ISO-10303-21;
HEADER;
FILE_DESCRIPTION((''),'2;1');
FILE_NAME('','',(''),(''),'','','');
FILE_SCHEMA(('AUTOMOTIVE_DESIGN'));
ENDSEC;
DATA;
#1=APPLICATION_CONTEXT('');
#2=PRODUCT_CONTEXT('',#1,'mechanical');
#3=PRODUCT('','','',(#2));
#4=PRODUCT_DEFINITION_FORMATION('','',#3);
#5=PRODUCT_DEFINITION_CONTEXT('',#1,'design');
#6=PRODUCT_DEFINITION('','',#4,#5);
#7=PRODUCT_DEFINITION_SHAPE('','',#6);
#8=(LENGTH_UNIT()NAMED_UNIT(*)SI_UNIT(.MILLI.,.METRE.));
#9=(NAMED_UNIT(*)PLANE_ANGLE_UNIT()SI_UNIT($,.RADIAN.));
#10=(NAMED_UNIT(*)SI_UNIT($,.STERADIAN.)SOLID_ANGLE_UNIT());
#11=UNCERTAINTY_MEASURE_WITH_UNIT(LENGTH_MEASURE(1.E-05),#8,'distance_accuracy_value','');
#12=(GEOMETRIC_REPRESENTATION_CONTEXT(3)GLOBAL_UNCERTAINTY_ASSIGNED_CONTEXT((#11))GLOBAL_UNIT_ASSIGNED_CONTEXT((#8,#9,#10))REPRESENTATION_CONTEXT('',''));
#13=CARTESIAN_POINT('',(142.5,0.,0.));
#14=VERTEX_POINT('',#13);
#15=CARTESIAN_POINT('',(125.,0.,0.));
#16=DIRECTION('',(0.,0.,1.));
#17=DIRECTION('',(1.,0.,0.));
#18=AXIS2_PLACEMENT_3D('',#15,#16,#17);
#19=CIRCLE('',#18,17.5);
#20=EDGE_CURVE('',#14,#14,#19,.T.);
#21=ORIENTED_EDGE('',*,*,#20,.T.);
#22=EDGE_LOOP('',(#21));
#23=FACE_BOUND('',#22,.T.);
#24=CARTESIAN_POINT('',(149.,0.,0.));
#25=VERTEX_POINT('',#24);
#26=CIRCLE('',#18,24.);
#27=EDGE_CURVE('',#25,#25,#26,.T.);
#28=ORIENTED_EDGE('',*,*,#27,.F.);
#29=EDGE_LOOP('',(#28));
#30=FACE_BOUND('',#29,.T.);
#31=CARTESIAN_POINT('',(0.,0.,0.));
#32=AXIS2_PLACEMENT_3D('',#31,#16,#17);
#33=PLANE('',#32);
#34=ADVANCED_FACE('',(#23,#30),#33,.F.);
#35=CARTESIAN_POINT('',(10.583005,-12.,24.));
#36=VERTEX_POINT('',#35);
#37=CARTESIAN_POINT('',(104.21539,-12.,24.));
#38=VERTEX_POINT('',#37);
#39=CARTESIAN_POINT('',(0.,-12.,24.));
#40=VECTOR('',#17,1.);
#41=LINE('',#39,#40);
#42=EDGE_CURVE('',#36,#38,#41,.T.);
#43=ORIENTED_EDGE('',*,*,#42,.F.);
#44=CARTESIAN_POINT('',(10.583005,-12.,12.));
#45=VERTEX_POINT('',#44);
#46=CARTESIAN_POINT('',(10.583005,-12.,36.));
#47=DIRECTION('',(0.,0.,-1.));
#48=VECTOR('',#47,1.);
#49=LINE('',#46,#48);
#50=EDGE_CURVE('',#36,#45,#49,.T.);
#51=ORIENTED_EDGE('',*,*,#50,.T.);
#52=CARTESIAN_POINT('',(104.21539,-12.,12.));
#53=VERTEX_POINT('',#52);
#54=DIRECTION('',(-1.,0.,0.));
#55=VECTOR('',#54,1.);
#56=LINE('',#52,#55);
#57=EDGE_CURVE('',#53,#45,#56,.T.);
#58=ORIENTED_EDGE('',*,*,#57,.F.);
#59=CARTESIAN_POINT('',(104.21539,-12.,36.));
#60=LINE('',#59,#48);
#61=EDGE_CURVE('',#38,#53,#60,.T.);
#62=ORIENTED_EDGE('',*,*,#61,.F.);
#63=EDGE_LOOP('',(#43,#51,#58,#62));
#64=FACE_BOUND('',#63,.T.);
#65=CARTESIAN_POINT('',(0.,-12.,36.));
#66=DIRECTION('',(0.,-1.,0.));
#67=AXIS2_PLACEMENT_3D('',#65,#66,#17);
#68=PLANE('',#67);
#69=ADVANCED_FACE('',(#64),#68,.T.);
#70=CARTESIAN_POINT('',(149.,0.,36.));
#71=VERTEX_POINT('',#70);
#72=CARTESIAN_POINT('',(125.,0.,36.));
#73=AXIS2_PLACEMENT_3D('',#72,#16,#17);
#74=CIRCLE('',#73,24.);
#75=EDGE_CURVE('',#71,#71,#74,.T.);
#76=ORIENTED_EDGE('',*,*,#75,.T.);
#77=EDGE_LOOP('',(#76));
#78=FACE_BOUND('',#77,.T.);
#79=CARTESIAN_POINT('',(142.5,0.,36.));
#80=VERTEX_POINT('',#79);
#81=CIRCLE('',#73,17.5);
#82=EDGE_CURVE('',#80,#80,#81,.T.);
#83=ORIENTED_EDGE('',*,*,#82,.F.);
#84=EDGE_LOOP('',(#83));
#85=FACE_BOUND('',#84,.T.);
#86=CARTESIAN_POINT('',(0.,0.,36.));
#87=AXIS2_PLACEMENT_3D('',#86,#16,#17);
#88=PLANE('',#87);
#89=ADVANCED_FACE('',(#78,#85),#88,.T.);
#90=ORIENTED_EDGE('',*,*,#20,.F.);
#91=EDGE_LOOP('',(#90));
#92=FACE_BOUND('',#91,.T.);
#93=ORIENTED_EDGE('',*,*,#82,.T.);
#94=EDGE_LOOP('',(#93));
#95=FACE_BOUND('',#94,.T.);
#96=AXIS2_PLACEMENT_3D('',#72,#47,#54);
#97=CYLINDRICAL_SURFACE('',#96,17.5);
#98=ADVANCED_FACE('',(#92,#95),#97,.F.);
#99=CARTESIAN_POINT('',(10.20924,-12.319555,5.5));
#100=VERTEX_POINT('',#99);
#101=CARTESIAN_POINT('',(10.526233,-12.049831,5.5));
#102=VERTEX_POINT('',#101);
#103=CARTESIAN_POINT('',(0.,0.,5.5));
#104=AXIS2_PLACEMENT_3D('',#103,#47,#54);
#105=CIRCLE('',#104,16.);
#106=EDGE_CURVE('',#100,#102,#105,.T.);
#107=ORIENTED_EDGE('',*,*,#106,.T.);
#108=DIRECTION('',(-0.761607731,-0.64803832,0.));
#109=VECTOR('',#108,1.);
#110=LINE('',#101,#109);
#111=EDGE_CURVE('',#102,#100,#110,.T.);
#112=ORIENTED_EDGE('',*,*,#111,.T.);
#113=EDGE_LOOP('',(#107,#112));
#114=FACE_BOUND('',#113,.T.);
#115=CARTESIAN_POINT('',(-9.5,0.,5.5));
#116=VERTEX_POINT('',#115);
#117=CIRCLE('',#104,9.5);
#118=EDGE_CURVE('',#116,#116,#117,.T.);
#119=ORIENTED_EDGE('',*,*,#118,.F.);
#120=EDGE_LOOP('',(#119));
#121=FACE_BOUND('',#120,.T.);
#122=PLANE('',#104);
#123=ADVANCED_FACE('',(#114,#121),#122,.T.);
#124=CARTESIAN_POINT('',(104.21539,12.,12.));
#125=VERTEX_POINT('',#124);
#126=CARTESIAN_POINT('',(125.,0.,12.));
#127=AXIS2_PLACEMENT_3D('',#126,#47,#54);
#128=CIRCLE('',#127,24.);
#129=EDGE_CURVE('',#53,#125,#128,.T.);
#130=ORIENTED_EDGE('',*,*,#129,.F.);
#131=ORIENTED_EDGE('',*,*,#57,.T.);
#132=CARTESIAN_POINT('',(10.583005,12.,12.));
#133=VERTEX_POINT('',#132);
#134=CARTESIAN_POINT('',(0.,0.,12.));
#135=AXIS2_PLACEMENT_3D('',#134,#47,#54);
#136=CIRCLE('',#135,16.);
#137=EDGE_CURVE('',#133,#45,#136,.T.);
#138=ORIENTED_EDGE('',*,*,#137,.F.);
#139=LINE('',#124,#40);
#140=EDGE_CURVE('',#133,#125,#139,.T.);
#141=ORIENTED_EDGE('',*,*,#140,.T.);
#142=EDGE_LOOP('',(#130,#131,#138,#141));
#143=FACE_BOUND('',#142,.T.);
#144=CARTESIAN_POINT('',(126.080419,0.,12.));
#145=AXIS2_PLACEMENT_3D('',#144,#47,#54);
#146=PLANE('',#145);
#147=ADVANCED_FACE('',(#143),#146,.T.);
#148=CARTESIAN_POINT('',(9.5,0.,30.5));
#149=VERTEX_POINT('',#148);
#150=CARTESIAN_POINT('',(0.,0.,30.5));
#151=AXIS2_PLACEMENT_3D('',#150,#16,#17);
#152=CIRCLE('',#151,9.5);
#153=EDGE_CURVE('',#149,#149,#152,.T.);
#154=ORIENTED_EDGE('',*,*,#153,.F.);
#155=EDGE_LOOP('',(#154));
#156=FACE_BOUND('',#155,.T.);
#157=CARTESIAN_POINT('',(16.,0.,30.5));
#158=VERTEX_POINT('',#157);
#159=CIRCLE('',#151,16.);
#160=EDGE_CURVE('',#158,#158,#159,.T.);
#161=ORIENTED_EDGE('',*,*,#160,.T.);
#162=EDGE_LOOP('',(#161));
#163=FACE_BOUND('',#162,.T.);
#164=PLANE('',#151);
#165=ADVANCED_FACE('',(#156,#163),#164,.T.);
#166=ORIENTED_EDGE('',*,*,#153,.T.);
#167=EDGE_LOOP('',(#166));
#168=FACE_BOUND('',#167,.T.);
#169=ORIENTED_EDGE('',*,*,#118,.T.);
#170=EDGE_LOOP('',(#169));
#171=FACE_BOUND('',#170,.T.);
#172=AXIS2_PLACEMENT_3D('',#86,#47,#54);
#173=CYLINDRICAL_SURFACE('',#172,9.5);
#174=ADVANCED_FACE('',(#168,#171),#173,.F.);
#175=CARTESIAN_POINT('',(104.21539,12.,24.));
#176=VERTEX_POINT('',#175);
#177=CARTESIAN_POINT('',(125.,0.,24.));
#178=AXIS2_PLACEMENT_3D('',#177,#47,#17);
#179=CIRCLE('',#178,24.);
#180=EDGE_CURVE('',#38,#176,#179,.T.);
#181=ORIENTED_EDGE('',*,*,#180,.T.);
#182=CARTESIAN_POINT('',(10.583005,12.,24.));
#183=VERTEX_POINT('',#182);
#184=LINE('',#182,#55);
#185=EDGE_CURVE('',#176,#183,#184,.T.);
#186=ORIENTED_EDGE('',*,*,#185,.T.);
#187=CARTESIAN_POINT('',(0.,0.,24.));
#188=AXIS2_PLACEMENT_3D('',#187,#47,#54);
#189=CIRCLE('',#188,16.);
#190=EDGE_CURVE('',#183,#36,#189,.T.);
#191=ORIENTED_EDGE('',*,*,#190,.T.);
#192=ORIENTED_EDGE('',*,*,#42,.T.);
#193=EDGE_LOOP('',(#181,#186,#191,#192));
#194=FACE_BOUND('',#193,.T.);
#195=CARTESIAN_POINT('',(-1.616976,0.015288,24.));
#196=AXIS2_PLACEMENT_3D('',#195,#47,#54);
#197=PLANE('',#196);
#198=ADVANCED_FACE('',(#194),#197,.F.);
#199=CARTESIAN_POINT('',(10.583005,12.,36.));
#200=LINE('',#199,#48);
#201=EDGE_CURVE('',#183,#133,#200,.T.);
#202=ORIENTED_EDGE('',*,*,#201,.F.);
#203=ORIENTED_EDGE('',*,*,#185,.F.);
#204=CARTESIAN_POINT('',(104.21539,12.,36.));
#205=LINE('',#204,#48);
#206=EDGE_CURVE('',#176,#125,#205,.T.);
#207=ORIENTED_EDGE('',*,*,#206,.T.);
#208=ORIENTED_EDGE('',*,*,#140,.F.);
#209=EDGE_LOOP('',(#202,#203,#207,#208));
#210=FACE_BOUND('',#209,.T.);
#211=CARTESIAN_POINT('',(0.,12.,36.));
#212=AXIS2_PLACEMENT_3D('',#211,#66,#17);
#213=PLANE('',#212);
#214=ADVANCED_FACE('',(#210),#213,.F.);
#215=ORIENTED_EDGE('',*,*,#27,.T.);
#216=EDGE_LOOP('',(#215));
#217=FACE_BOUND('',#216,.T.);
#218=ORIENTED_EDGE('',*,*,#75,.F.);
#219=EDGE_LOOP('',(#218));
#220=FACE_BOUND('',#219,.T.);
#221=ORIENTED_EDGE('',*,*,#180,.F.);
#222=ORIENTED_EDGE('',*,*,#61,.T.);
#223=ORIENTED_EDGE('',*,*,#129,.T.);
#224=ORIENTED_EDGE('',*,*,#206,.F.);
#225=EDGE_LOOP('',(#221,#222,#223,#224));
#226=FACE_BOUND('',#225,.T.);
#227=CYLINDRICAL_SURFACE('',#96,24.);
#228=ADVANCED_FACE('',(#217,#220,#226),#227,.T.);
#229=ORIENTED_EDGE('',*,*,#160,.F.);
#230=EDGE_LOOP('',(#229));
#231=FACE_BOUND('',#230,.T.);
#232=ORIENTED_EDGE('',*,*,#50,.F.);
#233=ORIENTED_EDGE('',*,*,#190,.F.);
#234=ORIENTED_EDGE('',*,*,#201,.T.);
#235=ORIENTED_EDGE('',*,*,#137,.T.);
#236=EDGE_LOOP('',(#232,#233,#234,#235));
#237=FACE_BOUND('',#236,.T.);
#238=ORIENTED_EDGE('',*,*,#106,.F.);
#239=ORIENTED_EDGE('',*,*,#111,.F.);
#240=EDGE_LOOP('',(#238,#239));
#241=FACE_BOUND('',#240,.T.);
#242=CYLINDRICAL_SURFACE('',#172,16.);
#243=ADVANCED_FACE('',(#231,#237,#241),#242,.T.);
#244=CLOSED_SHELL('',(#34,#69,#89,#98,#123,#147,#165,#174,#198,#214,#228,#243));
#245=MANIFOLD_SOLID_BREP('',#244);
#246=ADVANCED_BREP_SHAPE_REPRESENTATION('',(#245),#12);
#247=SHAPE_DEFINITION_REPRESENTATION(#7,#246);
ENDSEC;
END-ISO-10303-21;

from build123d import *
from build123d.topology import SkipClean

# Parameters (mm, degrees)
SKETCH2_R           = 9.5
SKETCH2_R_2         = 17.5
BOSS_EXTRUDE1_DEPTH = 36
CUT_EXTRUDE1_DEPTH  = 12
CUT_EXTRUDE2_DEPTH  = 12
SKETCH6_R           = 16
SKETCH6_R_2         = 9.5
CUT_EXTRUDE3_DEPTH  = 5.5
SKETCH7_R           = 16
SKETCH7_R_2         = 9.5
CUT_EXTRUDE4_DEPTH  = 5.5
SKETCH8_R           = 24
SKETCH8_R_2         = 17.5
BOSS_EXTRUDE2_DEPTH = 36
SKETCH9_R           = 16
SKETCH9_R_2         = 9.5
BOSS_EXTRUDE4_DEPTH = 25


with BuildPart() as part:
    # Sketch2 → Boss-Extrude1 (new body)
    with BuildSketch(Plane.XY):
        with BuildLine():
            ThreePointArc((10.583005244, 12), (-15.998110701, 0.245873959), (10.209239534, -12.319554705))
            Line((10.209239534, -12.319554705), (10.526232528, -12.049831068))
            ThreePointArc((10.526232528, -12.049831068), (10.554648294, -12.024949039), (10.583005244, -12))
            Line((10.583005244, -12), (104.215390309, -12))
            ThreePointArc((104.215390309, -12), (149, 0), (104.215390309, 12))
            Line((104.215390309, 12), (10.583005244, 12))
        make_face()
        Circle(SKETCH2_R, mode=Mode.SUBTRACT)
        with Locations((125, 0)):
            Circle(SKETCH2_R_2, mode=Mode.SUBTRACT)
    extrude(amount=BOSS_EXTRUDE1_DEPTH)

    # Sketch3 → Cut-Extrude1 (cut)
    with BuildSketch(Plane(origin=(0, 0, 0), x_dir=(-1, 0, 0), z_dir=(0, 0, -1))):
        with BuildLine():
            Line((-104.215390309, 12), (-10.583005244, 12))
            ThreePointArc((-10.583005244, 12), (-15.553567993, 0), (-10.583005244, -12))
            Line((-10.583005244, -12), (-104.215390309, -12))
            ThreePointArc((-104.215390309, -12), (-101.138897743, 0), (-104.215390309, 12))
        make_face()
    extrude(amount=-CUT_EXTRUDE1_DEPTH, mode=Mode.SUBTRACT)

    # Sketch4 → Cut-Extrude2 (cut)
    with BuildSketch(Plane.XY.offset(36)):
        with BuildLine():
            Line((10.583005244, 12), (104.215390309, 12))
            ThreePointArc((104.215390309, 12), (101, 0), (104.215390309, -12))
            Line((104.215390309, -12), (10.367736031, -12.184692887))
            ThreePointArc((10.367736031, -12.184692887), (15.484184535, -0.136930157), (10.583005244, 12))
        make_face()
    extrude(amount=-CUT_EXTRUDE2_DEPTH, mode=Mode.SUBTRACT)

    # Sketch6 → Cut-Extrude3 (cut)
    with BuildSketch(Plane.XY.offset(36)):
        Circle(SKETCH6_R)
        Circle(SKETCH6_R_2, mode=Mode.SUBTRACT)
    extrude(amount=-CUT_EXTRUDE3_DEPTH, mode=Mode.SUBTRACT)

    # Sketch7 → Cut-Extrude4 (cut)
    with BuildSketch(Plane(origin=(0, 0, 0), x_dir=(-1, 0, 0), z_dir=(0, 0, -1))):
        Circle(SKETCH7_R)
        Circle(SKETCH7_R_2, mode=Mode.SUBTRACT)
    extrude(amount=-CUT_EXTRUDE4_DEPTH, mode=Mode.SUBTRACT)

    # Sketch8 → Boss-Extrude2 (add)
    with BuildSketch(Plane(origin=(0, 0, 0), x_dir=(-1, 0, 0), z_dir=(0, 0, -1))):
        with Locations(Location((-125, 0, 0), (0, 0, 180))):
            Circle(SKETCH8_R)
        with Locations(Location((-125, 0, 0), (0, 0, 180))):
            Circle(SKETCH8_R_2, mode=Mode.SUBTRACT)
    extrude(amount=-BOSS_EXTRUDE2_DEPTH)

    # Sketch9 → Boss-Extrude4 (add)
    with SkipClean():  # the faces are left unmerged after this step: merging them gives an invalid solid
        with BuildSketch(Plane(origin=(0, 0, 5.5), x_dir=(-1, 0, 0), z_dir=(0, 0, -1))):
            with Locations(Location((0, 0, 0), (0, 0, 230.351389725))):
                Circle(SKETCH9_R)
            Circle(SKETCH9_R_2, mode=Mode.SUBTRACT)
        extrude(amount=-BOSS_EXTRUDE4_DEPTH)


solid = part.part
